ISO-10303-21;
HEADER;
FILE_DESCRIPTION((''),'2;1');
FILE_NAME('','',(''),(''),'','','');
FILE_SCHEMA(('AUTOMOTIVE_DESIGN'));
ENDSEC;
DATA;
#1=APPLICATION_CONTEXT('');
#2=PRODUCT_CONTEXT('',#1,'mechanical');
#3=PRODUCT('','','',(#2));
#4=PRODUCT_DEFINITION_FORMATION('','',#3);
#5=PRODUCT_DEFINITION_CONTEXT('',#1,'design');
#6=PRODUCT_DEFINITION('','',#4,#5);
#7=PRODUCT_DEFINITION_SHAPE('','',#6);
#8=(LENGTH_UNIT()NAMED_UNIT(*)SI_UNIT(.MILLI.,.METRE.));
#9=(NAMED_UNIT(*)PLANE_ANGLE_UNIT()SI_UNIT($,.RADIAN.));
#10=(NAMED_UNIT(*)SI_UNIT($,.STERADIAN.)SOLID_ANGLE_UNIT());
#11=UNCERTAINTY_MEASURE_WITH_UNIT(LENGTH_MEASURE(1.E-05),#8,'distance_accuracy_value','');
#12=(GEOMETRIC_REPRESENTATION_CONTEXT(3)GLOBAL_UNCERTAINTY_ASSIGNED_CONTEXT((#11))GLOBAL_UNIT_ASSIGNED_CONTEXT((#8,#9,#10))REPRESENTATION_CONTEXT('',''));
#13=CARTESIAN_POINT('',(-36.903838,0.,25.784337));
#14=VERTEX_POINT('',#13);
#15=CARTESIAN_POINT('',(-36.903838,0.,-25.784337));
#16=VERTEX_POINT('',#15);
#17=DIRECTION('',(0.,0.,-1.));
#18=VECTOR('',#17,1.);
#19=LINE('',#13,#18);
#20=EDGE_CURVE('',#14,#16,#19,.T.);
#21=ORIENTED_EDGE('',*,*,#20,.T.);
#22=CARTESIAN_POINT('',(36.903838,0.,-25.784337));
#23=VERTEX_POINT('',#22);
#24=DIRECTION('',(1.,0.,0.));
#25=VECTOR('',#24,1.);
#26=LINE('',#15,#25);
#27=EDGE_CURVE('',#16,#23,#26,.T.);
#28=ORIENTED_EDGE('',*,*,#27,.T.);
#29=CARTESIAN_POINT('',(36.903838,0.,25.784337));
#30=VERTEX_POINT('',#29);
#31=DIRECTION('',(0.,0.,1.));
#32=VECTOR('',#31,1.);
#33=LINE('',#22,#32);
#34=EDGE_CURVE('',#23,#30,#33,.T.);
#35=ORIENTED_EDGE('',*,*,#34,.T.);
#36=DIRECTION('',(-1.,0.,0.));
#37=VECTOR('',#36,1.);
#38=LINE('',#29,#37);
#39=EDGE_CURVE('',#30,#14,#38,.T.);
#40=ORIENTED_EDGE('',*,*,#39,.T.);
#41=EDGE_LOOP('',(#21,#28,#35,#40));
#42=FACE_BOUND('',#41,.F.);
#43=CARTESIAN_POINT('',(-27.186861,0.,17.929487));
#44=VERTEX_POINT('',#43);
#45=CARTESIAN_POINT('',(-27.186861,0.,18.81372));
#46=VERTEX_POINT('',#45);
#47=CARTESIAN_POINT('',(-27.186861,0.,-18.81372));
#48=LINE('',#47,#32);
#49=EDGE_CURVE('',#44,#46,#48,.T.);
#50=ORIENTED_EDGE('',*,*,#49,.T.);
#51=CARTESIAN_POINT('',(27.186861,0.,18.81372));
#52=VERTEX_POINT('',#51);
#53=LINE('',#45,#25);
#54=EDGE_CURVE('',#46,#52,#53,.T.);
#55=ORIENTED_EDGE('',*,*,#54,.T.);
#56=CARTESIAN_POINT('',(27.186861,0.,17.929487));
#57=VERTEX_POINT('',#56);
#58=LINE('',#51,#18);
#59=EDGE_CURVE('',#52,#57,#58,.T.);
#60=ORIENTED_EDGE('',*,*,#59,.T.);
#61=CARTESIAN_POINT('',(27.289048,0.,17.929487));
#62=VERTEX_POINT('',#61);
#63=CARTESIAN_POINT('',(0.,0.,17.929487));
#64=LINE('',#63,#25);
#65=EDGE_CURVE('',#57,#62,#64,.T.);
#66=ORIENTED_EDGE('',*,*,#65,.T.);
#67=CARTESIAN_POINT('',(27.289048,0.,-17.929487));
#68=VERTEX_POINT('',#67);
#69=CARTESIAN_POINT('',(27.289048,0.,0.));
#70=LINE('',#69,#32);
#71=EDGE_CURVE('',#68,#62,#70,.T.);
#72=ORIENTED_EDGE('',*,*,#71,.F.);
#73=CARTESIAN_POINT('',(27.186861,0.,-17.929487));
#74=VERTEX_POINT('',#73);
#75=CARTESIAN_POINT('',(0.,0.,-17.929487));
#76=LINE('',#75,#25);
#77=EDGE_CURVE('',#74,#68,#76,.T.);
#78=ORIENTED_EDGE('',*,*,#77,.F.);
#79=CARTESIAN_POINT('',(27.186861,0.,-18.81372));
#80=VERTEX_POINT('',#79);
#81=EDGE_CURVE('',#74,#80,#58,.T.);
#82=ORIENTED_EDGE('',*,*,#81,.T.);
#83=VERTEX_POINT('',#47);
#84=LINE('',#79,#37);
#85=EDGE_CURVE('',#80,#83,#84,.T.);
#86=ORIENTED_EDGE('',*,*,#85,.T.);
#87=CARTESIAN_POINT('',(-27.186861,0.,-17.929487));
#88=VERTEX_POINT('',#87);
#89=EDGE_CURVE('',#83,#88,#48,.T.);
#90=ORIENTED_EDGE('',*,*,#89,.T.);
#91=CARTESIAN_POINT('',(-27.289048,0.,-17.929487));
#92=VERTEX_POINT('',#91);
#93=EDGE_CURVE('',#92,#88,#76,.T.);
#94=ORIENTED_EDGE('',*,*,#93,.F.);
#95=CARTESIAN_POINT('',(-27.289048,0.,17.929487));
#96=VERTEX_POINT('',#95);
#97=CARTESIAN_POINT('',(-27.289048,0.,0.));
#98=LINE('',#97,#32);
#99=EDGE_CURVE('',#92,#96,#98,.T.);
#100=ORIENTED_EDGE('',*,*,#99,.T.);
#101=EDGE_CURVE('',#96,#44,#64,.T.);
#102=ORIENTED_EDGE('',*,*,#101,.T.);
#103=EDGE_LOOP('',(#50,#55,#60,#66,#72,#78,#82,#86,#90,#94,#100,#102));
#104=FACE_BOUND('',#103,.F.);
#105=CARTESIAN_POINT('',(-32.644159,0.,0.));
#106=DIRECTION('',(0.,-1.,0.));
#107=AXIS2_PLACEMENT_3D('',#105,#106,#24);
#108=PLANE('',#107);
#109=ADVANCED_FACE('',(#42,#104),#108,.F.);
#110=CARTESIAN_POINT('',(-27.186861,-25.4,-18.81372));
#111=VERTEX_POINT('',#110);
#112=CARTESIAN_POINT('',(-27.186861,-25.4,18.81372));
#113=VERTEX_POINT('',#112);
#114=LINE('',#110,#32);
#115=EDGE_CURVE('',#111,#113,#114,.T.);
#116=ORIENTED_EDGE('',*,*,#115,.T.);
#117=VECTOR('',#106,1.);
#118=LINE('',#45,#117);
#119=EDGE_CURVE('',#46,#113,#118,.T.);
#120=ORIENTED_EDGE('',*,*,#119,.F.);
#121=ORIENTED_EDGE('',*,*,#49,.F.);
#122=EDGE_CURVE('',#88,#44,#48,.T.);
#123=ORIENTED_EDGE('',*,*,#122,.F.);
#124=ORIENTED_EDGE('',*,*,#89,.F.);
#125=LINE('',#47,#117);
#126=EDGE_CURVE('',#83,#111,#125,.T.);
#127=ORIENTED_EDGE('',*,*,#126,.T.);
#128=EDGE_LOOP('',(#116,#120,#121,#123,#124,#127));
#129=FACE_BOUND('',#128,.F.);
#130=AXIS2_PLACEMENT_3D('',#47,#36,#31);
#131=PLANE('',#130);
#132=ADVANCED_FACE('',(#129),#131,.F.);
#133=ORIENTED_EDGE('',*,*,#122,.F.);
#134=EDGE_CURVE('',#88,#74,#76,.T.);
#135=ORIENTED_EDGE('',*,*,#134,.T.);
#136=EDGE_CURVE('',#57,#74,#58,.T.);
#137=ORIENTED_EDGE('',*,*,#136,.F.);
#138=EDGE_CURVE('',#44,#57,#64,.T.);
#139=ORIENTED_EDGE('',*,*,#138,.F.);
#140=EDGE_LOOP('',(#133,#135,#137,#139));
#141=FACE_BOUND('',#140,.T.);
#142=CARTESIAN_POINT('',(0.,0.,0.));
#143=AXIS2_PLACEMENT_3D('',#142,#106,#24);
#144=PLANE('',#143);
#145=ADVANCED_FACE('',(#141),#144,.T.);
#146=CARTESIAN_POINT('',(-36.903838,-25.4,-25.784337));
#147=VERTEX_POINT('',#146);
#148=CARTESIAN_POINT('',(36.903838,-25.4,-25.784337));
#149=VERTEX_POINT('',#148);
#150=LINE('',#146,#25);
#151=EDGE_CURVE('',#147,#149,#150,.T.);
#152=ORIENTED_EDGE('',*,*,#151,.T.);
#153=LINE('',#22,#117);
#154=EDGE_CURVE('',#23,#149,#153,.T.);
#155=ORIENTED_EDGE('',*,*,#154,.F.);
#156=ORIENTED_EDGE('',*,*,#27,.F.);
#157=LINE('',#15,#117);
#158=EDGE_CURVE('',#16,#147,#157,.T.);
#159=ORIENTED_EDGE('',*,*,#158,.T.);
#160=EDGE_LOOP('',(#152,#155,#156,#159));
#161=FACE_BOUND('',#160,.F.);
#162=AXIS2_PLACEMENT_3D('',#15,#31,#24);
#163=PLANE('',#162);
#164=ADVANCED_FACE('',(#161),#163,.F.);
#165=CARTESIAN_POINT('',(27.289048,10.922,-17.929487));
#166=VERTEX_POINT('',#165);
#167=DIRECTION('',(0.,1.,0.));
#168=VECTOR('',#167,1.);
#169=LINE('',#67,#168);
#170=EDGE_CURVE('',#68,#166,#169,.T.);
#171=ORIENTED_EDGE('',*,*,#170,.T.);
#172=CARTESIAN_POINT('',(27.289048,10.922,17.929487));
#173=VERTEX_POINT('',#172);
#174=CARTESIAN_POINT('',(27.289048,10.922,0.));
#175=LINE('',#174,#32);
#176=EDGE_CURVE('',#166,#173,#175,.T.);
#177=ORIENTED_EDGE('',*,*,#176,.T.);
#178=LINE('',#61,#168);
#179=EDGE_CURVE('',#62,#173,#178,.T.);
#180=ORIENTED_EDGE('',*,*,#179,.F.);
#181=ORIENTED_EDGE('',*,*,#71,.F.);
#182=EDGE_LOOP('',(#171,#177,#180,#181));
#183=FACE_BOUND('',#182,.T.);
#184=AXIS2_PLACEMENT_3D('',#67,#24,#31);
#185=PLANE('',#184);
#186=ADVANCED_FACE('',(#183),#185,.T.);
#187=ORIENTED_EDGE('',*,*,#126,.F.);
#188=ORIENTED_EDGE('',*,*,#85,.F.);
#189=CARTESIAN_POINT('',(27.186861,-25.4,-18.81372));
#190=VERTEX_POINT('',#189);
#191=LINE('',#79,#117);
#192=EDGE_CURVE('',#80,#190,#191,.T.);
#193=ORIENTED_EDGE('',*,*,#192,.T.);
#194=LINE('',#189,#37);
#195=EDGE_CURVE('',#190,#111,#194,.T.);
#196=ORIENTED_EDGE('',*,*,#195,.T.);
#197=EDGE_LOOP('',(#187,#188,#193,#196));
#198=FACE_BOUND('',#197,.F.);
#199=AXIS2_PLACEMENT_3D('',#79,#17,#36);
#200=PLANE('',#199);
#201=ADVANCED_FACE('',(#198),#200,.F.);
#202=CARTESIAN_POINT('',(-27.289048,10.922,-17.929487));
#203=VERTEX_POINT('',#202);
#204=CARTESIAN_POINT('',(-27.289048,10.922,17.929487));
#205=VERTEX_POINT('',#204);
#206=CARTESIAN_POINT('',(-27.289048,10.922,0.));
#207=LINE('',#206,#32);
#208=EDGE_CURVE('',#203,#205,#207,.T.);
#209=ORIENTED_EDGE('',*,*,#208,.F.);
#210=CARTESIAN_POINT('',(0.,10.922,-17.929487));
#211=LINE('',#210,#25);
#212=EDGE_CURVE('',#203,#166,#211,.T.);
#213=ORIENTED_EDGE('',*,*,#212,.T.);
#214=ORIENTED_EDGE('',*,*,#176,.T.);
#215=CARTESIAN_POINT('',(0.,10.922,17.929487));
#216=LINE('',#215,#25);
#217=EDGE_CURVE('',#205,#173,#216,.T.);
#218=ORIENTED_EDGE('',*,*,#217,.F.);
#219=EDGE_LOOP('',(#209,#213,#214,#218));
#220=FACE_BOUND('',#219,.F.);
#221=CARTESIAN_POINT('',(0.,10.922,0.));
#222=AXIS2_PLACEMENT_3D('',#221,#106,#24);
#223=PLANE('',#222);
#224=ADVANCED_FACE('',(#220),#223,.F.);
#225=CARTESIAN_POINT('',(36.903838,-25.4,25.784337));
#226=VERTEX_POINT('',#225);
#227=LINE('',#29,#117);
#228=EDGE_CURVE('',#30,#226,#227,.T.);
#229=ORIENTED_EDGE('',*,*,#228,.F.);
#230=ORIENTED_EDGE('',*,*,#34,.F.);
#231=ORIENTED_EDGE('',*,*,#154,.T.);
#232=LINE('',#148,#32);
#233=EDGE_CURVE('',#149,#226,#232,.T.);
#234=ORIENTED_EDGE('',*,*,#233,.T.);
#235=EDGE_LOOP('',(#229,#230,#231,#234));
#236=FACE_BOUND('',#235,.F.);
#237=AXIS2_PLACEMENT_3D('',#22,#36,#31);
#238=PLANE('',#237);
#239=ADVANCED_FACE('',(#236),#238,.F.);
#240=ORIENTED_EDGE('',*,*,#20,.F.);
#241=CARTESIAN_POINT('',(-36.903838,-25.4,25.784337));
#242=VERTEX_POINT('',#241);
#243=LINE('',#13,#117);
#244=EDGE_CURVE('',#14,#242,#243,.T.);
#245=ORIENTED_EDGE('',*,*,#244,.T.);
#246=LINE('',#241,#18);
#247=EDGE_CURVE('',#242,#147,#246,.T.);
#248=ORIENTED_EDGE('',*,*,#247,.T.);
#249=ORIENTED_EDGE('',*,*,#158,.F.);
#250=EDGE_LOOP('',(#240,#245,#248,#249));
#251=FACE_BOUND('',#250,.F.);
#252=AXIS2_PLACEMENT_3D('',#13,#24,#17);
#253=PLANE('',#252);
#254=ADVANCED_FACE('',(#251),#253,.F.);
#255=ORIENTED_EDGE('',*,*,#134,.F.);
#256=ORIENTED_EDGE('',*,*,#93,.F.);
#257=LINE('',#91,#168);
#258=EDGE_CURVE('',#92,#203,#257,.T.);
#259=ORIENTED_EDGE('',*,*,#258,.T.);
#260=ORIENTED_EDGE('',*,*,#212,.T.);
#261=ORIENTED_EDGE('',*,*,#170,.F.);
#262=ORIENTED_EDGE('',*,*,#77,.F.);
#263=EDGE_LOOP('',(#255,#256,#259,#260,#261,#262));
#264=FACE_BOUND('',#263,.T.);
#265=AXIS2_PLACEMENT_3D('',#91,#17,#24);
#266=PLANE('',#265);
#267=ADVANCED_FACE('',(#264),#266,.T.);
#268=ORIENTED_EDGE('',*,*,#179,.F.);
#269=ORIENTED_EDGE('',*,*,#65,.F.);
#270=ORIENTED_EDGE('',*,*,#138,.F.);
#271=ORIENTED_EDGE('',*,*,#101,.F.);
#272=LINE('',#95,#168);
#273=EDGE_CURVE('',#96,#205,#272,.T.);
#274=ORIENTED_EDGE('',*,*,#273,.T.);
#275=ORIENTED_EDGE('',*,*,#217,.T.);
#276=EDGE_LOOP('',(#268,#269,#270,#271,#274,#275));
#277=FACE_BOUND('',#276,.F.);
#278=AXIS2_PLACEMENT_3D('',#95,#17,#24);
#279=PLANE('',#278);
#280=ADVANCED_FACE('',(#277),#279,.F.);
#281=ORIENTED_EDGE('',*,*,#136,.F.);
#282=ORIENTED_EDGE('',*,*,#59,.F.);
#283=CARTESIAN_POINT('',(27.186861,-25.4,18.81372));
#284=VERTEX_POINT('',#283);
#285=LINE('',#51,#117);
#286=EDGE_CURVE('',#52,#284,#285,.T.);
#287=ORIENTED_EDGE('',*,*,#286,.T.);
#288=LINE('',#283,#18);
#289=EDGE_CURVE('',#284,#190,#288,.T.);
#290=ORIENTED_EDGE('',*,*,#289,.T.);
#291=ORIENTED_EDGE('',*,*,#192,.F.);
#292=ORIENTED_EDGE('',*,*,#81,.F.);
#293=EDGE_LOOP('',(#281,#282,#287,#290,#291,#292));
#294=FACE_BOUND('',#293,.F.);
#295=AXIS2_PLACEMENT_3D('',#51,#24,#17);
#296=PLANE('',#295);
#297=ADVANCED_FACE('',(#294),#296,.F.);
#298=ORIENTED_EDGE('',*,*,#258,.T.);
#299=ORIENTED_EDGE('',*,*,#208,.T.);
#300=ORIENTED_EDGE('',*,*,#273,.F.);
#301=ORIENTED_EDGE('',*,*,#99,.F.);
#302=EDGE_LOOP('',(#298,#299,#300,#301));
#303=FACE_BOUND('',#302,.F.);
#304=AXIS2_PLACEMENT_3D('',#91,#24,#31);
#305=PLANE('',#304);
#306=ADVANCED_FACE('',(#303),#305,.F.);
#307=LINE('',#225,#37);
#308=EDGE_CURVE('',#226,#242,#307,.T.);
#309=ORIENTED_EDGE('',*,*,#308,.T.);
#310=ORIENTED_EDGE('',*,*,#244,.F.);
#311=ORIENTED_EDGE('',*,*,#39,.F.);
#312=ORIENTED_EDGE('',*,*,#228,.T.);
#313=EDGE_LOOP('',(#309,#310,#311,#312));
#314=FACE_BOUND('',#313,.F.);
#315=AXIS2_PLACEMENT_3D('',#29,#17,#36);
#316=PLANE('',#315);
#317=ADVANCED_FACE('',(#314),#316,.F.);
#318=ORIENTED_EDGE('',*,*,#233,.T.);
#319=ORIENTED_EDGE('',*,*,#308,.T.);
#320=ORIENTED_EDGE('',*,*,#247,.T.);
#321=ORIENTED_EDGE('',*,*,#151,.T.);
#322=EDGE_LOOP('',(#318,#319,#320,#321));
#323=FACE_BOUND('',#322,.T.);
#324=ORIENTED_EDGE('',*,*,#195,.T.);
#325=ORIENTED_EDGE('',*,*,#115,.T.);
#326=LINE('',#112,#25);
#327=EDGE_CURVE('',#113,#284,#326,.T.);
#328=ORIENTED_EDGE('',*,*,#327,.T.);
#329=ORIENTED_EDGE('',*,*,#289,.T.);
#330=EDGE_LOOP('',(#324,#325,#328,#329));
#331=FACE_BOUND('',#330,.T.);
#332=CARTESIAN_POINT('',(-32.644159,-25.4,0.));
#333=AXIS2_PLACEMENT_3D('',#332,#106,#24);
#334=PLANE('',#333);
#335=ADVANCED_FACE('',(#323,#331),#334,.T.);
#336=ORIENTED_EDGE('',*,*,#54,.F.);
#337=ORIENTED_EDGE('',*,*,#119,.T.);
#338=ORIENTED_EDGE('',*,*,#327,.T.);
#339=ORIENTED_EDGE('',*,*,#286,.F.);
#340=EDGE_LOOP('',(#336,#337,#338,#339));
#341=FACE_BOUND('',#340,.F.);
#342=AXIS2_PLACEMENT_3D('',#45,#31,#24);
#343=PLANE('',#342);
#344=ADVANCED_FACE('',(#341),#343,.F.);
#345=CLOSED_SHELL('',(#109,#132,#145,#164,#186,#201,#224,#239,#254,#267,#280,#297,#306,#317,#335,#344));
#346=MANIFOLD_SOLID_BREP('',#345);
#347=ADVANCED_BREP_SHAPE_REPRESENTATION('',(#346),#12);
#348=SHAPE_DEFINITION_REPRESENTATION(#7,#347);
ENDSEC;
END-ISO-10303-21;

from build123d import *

# Parameters (mm, degrees)
F2_DEPTH = 25.4
F1_W     = 54.578096
F1_H     = 35.858974
F3_DEPTH = 10.922


with BuildPart() as f2:
    # F0 (on Front) → F2 (new body)
    with BuildSketch(Plane.XZ):
        Polygon((-27.186861, 18.81372), (-36.903838, 25.784337), (-36.903838, -25.784337), (-27.186861, -18.81372), align=None)
        Polygon((36.903838, 25.784337), (-36.903838, 25.784337), (-27.186861, 18.81372), (27.186861, 18.81372), align=None)
        Polygon((36.903838, -25.784337), (36.903838, 25.784337), (27.186861, 18.81372), (27.186861, -18.81372), align=None)
        Polygon((-27.186861, -18.81372), (-36.903838, -25.784337), (36.903838, -25.784337), (27.186861, -18.81372), align=None)
    extrude(amount=F2_DEPTH)

    # F1 (on Front) → F3 (join)
    with BuildSketch(Plane.XZ):
        Rectangle(F1_W, F1_H)
    extrude(amount=-F3_DEPTH)


solid = f2.part
